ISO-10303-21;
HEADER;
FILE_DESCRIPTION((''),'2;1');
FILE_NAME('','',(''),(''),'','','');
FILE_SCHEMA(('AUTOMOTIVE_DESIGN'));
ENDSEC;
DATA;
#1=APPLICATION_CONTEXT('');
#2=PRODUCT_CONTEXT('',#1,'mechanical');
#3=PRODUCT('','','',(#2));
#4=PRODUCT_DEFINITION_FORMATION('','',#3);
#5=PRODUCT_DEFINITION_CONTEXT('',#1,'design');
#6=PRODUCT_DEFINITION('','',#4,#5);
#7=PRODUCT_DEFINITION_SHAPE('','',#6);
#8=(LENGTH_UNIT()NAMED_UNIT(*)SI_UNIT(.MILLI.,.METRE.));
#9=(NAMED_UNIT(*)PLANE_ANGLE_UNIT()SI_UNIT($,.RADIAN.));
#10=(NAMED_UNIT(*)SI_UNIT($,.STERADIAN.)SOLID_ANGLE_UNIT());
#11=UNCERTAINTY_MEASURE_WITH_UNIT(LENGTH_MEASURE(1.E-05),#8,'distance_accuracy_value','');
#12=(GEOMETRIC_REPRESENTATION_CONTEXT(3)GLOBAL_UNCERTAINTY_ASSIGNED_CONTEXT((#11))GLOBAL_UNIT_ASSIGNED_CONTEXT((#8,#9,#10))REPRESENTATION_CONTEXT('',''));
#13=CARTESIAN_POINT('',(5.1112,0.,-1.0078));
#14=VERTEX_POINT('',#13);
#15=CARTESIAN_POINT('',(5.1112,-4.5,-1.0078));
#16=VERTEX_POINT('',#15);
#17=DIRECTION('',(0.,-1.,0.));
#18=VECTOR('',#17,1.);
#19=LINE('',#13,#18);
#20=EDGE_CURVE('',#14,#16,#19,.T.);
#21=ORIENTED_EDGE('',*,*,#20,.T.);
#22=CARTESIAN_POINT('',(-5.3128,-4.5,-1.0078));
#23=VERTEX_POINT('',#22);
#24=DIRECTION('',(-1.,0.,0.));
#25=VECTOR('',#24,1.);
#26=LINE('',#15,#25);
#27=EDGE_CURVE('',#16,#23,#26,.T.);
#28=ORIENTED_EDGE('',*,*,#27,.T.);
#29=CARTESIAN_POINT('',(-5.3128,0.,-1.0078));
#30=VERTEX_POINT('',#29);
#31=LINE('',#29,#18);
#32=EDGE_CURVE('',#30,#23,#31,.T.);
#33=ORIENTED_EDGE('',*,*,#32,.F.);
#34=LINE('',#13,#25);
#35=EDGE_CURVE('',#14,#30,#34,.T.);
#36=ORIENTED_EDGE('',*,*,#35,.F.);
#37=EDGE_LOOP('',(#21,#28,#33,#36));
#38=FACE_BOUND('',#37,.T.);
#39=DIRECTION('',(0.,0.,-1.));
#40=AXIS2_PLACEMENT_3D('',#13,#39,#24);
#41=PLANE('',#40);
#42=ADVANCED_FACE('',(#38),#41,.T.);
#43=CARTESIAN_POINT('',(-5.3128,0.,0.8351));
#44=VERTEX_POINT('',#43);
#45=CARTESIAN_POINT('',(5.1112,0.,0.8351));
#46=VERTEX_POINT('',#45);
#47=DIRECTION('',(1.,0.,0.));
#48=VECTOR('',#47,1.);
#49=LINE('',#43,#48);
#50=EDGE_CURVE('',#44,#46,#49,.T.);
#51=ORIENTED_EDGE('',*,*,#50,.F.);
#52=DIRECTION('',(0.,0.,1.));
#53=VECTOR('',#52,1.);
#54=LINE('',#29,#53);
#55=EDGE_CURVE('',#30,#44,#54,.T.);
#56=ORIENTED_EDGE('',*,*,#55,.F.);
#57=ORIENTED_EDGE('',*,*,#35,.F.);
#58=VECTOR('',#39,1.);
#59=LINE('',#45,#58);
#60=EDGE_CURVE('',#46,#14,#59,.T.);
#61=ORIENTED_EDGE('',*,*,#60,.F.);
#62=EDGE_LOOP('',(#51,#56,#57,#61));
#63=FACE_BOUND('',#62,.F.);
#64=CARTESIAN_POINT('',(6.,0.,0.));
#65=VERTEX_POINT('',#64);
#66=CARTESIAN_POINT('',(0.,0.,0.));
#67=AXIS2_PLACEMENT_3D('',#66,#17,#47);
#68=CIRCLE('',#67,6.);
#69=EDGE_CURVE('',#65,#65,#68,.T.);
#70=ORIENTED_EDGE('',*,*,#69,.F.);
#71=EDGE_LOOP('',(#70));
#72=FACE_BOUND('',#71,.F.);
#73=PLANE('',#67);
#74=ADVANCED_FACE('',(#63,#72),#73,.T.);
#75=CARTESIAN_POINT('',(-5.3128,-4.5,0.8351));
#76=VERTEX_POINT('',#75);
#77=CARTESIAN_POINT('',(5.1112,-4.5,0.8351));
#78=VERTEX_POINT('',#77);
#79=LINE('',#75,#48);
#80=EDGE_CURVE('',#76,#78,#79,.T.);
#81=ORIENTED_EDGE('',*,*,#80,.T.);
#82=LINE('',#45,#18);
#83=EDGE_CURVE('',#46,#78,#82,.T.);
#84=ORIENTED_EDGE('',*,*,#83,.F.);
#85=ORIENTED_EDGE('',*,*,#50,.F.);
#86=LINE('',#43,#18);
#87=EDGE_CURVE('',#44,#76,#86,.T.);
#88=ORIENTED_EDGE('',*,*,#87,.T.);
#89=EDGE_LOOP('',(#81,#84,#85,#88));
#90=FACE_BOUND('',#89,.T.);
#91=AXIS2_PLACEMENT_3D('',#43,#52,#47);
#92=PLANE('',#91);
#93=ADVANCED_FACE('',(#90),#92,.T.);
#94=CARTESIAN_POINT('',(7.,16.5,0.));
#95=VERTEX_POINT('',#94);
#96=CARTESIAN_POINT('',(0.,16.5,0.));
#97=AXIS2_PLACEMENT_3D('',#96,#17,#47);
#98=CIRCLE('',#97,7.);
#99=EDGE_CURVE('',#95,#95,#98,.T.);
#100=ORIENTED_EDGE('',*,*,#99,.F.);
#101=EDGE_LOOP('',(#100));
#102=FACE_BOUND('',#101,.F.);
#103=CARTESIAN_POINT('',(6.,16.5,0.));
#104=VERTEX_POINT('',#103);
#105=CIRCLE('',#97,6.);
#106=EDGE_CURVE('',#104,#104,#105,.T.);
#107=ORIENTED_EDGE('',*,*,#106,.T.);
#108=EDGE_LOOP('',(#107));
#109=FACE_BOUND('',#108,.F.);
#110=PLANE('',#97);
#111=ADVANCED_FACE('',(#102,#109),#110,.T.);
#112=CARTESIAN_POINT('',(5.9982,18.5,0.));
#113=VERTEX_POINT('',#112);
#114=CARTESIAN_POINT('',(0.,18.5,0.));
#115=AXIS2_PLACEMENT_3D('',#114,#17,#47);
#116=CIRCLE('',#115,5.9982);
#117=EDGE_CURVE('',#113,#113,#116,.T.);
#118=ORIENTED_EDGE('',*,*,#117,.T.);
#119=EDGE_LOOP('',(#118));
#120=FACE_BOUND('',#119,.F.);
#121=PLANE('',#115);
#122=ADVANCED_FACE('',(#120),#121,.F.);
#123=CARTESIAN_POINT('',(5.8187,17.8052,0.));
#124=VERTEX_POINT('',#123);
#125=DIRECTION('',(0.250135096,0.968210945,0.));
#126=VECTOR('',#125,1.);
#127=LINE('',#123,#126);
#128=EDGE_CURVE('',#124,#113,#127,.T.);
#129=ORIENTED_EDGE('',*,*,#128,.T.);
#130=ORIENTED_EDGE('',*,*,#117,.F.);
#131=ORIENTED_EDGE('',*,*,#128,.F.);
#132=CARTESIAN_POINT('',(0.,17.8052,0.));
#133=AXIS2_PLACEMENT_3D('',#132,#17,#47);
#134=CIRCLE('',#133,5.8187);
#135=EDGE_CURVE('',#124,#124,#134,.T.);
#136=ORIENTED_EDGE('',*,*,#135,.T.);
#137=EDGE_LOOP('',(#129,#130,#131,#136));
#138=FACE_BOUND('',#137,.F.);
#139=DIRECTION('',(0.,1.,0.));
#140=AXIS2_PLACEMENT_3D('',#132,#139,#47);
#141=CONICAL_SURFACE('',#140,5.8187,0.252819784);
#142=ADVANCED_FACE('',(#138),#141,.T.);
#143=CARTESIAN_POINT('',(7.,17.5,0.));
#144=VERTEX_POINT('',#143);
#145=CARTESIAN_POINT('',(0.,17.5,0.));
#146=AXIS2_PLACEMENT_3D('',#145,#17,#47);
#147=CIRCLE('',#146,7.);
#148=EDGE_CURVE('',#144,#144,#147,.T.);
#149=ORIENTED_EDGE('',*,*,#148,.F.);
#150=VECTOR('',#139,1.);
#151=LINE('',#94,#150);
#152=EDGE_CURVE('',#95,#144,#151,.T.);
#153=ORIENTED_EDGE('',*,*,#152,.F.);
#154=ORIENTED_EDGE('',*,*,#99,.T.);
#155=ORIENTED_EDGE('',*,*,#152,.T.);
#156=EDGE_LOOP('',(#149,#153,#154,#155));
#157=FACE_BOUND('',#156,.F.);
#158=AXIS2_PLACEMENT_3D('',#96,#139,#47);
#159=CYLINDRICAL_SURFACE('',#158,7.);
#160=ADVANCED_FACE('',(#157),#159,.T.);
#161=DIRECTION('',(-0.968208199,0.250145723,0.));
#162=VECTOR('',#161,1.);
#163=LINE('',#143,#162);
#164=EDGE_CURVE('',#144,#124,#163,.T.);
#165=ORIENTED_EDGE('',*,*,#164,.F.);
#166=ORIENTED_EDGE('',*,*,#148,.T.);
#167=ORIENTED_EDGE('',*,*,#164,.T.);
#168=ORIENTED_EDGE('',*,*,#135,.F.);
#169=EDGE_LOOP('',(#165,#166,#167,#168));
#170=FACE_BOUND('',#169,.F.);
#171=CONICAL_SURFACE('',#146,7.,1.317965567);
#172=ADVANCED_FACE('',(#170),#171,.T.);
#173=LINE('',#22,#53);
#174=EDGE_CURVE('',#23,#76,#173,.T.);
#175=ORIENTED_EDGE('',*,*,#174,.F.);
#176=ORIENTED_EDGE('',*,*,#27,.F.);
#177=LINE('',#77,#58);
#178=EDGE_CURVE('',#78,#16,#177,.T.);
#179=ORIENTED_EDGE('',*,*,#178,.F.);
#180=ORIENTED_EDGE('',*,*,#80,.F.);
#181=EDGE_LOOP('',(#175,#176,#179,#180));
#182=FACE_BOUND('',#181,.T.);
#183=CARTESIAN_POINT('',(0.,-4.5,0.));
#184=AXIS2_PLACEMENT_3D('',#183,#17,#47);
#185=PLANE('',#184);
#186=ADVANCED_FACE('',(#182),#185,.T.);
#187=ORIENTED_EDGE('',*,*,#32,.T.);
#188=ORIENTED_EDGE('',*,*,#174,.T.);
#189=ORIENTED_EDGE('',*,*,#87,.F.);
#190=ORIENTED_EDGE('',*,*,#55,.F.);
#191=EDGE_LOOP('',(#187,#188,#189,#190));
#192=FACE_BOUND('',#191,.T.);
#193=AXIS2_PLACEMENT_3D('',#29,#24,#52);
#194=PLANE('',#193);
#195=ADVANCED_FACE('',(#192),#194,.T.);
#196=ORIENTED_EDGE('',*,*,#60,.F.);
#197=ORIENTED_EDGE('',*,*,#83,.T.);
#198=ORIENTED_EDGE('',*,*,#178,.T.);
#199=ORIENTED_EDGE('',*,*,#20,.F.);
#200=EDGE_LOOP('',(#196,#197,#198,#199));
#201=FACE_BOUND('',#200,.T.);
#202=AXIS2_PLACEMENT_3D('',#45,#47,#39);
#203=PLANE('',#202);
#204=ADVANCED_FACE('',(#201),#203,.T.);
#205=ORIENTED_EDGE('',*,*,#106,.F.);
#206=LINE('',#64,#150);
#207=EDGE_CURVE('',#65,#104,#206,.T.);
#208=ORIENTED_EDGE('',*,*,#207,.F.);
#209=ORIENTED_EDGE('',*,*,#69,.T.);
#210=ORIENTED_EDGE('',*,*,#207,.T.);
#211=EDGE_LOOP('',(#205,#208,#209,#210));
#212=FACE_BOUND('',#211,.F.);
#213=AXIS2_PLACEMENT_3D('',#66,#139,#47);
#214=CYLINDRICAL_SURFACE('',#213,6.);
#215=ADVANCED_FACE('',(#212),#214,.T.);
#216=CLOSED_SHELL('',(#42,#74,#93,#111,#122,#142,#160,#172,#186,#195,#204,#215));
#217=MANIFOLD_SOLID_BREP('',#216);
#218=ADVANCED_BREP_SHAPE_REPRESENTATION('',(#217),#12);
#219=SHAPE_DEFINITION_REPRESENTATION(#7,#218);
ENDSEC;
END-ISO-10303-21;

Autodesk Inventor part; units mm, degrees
ref_plane "YZ Plane" through (0, 0, 0) normal (1, 0, 0) x (0, 1, 0)
ref_plane "XZ Plane" through (0, 0, 0) normal (0, 1, 0) x (-1, 0, 0)
ref_plane "XY Plane" through (0, 0, 0) normal (0, 0, 1) x (1, 0, 0)
sketch "Skizze1" plane through (0, 0, 0) normal (0, 0, 1) x (1, 0, 0)
  line L0 (0, 0) -> (6, 0)
  line L1 (6, 0) -> (6, 16.5)
  line L2 (6, 16.5) -> (7, 16.5)
  line L3 (7, 16.5) -> (7, 17.5)
  line L4 (7, 17.5) -> (5.8187, 17.8052)
  line L5 (5.8187, 17.8052) -> (5.9982, 18.5)
  line L6 (5.9982, 18.5) -> (0, 18.5)
  line L7 (0, 18.5) -> (0, 0)
  point P0 (6.5, 16.5)
  dimension "d0" = 6
  dimension "d1" = 16.5
  dimension "d2" = 7
  dimension "d3" = 1
  dimension "d4" = 2
revolve "Umdrehung1" add sketch "Skizze1" angle 360 about axis through (0, 18.5, 0) along (0, -1, 0)
sketch "Skizze2" plane through (0, 0, 0) normal (0, -1, 0) x (1, 0, 0)
  line L0 (-5.3128, 0.8351) -> (5.1112, 0.8351)
  line L1 (5.1112, 0.8351) -> (5.1112, -1.0078)
  line L2 (5.1112, -1.0078) -> (-5.3128, -1.0078)
  line L3 (-5.3128, -1.0078) -> (-5.3128, 0.8351)
  point P0 (0, 0)
extrude "Extrusion1" add sketch "Skizze2" along normal blind 4.5
properties part number "Knopf"
